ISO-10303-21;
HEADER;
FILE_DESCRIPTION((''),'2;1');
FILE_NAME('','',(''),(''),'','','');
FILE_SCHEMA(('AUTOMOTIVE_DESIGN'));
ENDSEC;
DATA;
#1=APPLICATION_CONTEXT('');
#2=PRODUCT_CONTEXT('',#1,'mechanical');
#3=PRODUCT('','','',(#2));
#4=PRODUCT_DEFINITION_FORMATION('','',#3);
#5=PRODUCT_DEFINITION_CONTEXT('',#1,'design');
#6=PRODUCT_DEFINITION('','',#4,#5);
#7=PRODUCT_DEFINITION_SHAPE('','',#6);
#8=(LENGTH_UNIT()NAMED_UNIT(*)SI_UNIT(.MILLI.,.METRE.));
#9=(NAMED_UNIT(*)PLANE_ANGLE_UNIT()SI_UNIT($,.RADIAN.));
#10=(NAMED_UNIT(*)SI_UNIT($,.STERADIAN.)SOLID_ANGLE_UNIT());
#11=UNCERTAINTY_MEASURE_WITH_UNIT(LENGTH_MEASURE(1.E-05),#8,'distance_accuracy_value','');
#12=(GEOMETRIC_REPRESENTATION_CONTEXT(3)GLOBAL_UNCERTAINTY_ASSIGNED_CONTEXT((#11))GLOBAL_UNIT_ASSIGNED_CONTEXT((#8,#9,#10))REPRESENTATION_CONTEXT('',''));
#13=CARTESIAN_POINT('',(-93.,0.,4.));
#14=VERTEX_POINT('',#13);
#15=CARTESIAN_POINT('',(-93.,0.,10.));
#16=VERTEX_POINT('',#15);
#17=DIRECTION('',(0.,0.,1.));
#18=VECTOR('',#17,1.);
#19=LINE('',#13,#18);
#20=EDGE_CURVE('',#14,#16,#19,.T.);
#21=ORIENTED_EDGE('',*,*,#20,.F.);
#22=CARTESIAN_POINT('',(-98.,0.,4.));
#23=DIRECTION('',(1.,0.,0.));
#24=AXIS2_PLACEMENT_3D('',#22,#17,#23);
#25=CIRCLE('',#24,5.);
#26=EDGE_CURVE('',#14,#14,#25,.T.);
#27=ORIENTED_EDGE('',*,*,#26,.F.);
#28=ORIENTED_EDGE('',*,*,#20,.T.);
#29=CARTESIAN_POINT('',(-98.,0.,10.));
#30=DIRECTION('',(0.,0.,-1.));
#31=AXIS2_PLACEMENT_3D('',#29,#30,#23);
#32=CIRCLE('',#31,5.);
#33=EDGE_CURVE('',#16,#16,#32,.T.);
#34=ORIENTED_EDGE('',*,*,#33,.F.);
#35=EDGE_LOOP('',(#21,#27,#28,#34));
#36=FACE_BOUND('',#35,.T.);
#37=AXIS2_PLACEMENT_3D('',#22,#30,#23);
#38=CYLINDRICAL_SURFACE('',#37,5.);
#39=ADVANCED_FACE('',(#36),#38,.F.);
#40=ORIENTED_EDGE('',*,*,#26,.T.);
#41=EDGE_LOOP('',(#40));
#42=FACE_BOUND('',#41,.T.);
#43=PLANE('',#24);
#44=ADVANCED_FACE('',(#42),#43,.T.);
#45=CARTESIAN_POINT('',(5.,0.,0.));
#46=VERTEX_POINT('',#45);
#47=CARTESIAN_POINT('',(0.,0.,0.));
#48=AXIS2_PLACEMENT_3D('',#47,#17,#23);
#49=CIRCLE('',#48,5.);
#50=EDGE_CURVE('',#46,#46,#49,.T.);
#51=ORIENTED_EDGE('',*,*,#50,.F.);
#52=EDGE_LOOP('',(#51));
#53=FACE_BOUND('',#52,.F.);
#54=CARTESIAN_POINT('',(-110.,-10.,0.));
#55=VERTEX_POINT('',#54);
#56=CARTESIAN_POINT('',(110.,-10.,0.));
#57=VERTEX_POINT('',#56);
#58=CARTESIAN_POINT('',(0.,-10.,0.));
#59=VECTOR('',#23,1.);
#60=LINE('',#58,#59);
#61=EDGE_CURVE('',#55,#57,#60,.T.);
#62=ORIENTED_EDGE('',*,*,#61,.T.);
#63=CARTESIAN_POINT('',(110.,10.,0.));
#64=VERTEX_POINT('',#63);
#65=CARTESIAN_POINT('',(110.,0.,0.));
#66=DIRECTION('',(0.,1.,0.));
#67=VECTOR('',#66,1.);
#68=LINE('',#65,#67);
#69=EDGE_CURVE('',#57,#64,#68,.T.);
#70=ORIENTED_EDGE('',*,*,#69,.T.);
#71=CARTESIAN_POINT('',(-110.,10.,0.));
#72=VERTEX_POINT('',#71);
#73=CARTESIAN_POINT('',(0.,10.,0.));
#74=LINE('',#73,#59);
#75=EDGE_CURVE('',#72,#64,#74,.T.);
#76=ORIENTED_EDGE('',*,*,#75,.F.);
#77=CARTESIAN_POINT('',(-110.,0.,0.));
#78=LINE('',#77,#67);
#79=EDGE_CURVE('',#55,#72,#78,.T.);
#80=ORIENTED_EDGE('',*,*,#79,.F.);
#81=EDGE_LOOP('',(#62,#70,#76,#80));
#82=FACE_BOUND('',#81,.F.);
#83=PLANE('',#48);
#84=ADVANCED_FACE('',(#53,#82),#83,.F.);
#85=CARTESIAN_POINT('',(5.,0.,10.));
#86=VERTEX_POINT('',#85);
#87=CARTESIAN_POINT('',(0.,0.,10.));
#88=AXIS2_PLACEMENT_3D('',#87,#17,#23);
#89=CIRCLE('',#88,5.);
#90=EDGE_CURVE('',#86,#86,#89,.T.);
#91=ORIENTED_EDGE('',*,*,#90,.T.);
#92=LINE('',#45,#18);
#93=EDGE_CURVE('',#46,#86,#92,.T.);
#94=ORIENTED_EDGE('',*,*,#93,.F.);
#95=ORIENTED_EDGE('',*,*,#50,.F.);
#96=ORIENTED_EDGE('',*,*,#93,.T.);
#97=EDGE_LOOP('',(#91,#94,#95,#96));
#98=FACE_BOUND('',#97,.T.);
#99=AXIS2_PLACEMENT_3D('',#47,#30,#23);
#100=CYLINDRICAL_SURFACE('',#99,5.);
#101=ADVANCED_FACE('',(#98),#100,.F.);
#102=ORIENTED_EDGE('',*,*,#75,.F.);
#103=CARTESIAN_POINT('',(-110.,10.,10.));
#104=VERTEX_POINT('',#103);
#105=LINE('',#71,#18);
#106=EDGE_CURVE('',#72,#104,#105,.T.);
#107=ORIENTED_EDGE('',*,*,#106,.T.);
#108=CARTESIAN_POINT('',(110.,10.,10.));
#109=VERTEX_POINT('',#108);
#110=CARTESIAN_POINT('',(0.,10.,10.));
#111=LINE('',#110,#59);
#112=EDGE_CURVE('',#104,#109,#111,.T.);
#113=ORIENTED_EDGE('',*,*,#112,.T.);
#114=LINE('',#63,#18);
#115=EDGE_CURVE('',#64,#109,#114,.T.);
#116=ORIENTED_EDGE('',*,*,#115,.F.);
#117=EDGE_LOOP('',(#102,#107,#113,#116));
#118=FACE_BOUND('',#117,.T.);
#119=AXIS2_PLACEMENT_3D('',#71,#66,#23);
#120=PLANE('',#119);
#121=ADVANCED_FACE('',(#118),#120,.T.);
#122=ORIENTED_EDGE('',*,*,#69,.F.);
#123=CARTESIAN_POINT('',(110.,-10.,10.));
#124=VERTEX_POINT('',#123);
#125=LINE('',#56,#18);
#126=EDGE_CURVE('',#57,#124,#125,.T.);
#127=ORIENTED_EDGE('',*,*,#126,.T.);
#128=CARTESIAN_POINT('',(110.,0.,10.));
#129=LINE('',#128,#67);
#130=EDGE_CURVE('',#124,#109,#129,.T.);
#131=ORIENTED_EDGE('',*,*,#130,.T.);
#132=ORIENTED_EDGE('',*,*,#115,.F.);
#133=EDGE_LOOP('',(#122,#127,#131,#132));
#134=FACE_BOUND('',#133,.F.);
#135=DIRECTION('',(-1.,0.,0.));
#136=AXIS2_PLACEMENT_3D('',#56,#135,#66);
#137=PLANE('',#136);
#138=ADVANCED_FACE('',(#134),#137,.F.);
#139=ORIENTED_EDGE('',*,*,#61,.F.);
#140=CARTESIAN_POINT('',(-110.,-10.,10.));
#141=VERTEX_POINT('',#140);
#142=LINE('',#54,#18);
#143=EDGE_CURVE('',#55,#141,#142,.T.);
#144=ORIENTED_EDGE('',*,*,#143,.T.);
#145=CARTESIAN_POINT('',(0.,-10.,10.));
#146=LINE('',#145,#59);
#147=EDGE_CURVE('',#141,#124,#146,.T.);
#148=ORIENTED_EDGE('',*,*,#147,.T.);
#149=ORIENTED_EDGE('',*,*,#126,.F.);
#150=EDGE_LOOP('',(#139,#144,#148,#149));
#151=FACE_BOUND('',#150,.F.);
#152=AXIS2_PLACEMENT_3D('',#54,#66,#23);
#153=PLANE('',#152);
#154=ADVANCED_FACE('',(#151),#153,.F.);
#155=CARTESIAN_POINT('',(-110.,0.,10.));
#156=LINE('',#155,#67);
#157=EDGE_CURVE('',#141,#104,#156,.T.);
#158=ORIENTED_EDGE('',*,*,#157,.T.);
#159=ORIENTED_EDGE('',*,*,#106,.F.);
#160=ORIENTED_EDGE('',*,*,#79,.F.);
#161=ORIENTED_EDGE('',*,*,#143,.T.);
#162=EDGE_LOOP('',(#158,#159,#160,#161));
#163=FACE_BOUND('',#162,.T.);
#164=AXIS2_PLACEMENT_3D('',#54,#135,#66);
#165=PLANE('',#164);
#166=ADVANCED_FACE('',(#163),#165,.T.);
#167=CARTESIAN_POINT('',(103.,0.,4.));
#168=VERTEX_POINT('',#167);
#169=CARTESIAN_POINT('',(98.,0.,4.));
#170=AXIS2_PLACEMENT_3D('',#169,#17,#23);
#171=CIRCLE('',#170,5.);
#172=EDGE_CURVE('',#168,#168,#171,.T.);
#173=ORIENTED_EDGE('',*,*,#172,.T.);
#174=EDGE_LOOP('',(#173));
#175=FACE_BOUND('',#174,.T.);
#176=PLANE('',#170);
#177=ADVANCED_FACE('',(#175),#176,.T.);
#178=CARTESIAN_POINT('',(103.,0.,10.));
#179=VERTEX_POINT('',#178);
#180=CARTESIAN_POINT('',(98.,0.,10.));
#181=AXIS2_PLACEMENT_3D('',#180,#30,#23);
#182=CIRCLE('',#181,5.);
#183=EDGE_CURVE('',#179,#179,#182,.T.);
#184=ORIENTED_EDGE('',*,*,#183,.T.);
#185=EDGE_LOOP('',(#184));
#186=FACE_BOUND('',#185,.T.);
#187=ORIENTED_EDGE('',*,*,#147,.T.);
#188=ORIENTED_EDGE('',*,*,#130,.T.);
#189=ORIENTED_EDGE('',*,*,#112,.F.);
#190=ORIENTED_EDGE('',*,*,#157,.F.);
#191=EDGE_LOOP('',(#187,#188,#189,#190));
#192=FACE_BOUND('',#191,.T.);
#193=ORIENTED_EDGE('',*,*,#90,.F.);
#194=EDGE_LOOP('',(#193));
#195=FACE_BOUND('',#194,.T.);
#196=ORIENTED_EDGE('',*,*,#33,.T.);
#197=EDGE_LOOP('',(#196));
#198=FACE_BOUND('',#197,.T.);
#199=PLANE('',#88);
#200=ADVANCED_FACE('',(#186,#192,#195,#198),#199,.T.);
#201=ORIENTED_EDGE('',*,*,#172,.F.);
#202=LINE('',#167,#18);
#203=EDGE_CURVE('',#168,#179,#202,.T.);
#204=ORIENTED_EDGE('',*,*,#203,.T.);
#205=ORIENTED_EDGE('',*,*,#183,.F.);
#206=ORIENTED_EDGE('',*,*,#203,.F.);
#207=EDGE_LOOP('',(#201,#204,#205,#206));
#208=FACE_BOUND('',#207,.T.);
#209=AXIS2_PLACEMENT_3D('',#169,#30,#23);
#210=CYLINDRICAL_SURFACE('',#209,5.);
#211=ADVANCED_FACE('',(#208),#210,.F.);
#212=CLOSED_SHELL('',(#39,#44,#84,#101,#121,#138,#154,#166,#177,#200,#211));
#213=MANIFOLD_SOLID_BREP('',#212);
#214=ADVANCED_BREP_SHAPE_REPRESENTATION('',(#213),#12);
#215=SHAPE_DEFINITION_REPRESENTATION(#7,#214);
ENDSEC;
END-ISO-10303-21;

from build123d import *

# Parameters (mm, degrees)
CYLINDER_R        = 5
CYLINDER_DEPTH    = 10
CYLINDER004_R     = 5
CYLINDER004_DEPTH = 10
CYLINDER005_R     = 5
CYLINDER005_DEPTH = 10
BOX002_W          = 220
BOX002_H          = 20
BOX002_DEPTH      = 10


with BuildPart() as cilindro:
    # Cylinder → Cylinder (new body)
    with BuildSketch(Plane.XY):
        Circle(CYLINDER_R)
    extrude(amount=CYLINDER_DEPTH)


with BuildPart() as cilindro004:
    # Cylinder004 → Cylinder004 (new body)
    with BuildSketch(Plane(origin=(-98, 0, 4), x_dir=(1, 0, 0), z_dir=(0, 0, 1))):
        Circle(CYLINDER004_R)
    extrude(amount=CYLINDER004_DEPTH)


with BuildPart() as cilindro005:
    # Cylinder005 → Cylinder005 (new body)
    with BuildSketch(Plane(origin=(98, 0, 4), x_dir=(1, 0, 0), z_dir=(0, 0, 1))):
        Circle(CYLINDER005_R)
    extrude(amount=CYLINDER005_DEPTH)


with BuildPart() as sujeto001:
    # Box002 → Box002 (new body)
    with BuildSketch(Plane(origin=(-110, -10, 0), x_dir=(1, 0, 0), z_dir=(0, 0, 1))):
        with Locations((110, 10)):
            Rectangle(BOX002_W, BOX002_H)
    extrude(amount=BOX002_DEPTH)

    # Cut004: cut Cilindro005
    add(cilindro005.part, mode=Mode.SUBTRACT)

    # Cut005: cut Cilindro004
    add(cilindro004.part, mode=Mode.SUBTRACT)

    # Cut: cut Cilindro
    add(cilindro.part, mode=Mode.SUBTRACT)


solid = sujeto001.part
